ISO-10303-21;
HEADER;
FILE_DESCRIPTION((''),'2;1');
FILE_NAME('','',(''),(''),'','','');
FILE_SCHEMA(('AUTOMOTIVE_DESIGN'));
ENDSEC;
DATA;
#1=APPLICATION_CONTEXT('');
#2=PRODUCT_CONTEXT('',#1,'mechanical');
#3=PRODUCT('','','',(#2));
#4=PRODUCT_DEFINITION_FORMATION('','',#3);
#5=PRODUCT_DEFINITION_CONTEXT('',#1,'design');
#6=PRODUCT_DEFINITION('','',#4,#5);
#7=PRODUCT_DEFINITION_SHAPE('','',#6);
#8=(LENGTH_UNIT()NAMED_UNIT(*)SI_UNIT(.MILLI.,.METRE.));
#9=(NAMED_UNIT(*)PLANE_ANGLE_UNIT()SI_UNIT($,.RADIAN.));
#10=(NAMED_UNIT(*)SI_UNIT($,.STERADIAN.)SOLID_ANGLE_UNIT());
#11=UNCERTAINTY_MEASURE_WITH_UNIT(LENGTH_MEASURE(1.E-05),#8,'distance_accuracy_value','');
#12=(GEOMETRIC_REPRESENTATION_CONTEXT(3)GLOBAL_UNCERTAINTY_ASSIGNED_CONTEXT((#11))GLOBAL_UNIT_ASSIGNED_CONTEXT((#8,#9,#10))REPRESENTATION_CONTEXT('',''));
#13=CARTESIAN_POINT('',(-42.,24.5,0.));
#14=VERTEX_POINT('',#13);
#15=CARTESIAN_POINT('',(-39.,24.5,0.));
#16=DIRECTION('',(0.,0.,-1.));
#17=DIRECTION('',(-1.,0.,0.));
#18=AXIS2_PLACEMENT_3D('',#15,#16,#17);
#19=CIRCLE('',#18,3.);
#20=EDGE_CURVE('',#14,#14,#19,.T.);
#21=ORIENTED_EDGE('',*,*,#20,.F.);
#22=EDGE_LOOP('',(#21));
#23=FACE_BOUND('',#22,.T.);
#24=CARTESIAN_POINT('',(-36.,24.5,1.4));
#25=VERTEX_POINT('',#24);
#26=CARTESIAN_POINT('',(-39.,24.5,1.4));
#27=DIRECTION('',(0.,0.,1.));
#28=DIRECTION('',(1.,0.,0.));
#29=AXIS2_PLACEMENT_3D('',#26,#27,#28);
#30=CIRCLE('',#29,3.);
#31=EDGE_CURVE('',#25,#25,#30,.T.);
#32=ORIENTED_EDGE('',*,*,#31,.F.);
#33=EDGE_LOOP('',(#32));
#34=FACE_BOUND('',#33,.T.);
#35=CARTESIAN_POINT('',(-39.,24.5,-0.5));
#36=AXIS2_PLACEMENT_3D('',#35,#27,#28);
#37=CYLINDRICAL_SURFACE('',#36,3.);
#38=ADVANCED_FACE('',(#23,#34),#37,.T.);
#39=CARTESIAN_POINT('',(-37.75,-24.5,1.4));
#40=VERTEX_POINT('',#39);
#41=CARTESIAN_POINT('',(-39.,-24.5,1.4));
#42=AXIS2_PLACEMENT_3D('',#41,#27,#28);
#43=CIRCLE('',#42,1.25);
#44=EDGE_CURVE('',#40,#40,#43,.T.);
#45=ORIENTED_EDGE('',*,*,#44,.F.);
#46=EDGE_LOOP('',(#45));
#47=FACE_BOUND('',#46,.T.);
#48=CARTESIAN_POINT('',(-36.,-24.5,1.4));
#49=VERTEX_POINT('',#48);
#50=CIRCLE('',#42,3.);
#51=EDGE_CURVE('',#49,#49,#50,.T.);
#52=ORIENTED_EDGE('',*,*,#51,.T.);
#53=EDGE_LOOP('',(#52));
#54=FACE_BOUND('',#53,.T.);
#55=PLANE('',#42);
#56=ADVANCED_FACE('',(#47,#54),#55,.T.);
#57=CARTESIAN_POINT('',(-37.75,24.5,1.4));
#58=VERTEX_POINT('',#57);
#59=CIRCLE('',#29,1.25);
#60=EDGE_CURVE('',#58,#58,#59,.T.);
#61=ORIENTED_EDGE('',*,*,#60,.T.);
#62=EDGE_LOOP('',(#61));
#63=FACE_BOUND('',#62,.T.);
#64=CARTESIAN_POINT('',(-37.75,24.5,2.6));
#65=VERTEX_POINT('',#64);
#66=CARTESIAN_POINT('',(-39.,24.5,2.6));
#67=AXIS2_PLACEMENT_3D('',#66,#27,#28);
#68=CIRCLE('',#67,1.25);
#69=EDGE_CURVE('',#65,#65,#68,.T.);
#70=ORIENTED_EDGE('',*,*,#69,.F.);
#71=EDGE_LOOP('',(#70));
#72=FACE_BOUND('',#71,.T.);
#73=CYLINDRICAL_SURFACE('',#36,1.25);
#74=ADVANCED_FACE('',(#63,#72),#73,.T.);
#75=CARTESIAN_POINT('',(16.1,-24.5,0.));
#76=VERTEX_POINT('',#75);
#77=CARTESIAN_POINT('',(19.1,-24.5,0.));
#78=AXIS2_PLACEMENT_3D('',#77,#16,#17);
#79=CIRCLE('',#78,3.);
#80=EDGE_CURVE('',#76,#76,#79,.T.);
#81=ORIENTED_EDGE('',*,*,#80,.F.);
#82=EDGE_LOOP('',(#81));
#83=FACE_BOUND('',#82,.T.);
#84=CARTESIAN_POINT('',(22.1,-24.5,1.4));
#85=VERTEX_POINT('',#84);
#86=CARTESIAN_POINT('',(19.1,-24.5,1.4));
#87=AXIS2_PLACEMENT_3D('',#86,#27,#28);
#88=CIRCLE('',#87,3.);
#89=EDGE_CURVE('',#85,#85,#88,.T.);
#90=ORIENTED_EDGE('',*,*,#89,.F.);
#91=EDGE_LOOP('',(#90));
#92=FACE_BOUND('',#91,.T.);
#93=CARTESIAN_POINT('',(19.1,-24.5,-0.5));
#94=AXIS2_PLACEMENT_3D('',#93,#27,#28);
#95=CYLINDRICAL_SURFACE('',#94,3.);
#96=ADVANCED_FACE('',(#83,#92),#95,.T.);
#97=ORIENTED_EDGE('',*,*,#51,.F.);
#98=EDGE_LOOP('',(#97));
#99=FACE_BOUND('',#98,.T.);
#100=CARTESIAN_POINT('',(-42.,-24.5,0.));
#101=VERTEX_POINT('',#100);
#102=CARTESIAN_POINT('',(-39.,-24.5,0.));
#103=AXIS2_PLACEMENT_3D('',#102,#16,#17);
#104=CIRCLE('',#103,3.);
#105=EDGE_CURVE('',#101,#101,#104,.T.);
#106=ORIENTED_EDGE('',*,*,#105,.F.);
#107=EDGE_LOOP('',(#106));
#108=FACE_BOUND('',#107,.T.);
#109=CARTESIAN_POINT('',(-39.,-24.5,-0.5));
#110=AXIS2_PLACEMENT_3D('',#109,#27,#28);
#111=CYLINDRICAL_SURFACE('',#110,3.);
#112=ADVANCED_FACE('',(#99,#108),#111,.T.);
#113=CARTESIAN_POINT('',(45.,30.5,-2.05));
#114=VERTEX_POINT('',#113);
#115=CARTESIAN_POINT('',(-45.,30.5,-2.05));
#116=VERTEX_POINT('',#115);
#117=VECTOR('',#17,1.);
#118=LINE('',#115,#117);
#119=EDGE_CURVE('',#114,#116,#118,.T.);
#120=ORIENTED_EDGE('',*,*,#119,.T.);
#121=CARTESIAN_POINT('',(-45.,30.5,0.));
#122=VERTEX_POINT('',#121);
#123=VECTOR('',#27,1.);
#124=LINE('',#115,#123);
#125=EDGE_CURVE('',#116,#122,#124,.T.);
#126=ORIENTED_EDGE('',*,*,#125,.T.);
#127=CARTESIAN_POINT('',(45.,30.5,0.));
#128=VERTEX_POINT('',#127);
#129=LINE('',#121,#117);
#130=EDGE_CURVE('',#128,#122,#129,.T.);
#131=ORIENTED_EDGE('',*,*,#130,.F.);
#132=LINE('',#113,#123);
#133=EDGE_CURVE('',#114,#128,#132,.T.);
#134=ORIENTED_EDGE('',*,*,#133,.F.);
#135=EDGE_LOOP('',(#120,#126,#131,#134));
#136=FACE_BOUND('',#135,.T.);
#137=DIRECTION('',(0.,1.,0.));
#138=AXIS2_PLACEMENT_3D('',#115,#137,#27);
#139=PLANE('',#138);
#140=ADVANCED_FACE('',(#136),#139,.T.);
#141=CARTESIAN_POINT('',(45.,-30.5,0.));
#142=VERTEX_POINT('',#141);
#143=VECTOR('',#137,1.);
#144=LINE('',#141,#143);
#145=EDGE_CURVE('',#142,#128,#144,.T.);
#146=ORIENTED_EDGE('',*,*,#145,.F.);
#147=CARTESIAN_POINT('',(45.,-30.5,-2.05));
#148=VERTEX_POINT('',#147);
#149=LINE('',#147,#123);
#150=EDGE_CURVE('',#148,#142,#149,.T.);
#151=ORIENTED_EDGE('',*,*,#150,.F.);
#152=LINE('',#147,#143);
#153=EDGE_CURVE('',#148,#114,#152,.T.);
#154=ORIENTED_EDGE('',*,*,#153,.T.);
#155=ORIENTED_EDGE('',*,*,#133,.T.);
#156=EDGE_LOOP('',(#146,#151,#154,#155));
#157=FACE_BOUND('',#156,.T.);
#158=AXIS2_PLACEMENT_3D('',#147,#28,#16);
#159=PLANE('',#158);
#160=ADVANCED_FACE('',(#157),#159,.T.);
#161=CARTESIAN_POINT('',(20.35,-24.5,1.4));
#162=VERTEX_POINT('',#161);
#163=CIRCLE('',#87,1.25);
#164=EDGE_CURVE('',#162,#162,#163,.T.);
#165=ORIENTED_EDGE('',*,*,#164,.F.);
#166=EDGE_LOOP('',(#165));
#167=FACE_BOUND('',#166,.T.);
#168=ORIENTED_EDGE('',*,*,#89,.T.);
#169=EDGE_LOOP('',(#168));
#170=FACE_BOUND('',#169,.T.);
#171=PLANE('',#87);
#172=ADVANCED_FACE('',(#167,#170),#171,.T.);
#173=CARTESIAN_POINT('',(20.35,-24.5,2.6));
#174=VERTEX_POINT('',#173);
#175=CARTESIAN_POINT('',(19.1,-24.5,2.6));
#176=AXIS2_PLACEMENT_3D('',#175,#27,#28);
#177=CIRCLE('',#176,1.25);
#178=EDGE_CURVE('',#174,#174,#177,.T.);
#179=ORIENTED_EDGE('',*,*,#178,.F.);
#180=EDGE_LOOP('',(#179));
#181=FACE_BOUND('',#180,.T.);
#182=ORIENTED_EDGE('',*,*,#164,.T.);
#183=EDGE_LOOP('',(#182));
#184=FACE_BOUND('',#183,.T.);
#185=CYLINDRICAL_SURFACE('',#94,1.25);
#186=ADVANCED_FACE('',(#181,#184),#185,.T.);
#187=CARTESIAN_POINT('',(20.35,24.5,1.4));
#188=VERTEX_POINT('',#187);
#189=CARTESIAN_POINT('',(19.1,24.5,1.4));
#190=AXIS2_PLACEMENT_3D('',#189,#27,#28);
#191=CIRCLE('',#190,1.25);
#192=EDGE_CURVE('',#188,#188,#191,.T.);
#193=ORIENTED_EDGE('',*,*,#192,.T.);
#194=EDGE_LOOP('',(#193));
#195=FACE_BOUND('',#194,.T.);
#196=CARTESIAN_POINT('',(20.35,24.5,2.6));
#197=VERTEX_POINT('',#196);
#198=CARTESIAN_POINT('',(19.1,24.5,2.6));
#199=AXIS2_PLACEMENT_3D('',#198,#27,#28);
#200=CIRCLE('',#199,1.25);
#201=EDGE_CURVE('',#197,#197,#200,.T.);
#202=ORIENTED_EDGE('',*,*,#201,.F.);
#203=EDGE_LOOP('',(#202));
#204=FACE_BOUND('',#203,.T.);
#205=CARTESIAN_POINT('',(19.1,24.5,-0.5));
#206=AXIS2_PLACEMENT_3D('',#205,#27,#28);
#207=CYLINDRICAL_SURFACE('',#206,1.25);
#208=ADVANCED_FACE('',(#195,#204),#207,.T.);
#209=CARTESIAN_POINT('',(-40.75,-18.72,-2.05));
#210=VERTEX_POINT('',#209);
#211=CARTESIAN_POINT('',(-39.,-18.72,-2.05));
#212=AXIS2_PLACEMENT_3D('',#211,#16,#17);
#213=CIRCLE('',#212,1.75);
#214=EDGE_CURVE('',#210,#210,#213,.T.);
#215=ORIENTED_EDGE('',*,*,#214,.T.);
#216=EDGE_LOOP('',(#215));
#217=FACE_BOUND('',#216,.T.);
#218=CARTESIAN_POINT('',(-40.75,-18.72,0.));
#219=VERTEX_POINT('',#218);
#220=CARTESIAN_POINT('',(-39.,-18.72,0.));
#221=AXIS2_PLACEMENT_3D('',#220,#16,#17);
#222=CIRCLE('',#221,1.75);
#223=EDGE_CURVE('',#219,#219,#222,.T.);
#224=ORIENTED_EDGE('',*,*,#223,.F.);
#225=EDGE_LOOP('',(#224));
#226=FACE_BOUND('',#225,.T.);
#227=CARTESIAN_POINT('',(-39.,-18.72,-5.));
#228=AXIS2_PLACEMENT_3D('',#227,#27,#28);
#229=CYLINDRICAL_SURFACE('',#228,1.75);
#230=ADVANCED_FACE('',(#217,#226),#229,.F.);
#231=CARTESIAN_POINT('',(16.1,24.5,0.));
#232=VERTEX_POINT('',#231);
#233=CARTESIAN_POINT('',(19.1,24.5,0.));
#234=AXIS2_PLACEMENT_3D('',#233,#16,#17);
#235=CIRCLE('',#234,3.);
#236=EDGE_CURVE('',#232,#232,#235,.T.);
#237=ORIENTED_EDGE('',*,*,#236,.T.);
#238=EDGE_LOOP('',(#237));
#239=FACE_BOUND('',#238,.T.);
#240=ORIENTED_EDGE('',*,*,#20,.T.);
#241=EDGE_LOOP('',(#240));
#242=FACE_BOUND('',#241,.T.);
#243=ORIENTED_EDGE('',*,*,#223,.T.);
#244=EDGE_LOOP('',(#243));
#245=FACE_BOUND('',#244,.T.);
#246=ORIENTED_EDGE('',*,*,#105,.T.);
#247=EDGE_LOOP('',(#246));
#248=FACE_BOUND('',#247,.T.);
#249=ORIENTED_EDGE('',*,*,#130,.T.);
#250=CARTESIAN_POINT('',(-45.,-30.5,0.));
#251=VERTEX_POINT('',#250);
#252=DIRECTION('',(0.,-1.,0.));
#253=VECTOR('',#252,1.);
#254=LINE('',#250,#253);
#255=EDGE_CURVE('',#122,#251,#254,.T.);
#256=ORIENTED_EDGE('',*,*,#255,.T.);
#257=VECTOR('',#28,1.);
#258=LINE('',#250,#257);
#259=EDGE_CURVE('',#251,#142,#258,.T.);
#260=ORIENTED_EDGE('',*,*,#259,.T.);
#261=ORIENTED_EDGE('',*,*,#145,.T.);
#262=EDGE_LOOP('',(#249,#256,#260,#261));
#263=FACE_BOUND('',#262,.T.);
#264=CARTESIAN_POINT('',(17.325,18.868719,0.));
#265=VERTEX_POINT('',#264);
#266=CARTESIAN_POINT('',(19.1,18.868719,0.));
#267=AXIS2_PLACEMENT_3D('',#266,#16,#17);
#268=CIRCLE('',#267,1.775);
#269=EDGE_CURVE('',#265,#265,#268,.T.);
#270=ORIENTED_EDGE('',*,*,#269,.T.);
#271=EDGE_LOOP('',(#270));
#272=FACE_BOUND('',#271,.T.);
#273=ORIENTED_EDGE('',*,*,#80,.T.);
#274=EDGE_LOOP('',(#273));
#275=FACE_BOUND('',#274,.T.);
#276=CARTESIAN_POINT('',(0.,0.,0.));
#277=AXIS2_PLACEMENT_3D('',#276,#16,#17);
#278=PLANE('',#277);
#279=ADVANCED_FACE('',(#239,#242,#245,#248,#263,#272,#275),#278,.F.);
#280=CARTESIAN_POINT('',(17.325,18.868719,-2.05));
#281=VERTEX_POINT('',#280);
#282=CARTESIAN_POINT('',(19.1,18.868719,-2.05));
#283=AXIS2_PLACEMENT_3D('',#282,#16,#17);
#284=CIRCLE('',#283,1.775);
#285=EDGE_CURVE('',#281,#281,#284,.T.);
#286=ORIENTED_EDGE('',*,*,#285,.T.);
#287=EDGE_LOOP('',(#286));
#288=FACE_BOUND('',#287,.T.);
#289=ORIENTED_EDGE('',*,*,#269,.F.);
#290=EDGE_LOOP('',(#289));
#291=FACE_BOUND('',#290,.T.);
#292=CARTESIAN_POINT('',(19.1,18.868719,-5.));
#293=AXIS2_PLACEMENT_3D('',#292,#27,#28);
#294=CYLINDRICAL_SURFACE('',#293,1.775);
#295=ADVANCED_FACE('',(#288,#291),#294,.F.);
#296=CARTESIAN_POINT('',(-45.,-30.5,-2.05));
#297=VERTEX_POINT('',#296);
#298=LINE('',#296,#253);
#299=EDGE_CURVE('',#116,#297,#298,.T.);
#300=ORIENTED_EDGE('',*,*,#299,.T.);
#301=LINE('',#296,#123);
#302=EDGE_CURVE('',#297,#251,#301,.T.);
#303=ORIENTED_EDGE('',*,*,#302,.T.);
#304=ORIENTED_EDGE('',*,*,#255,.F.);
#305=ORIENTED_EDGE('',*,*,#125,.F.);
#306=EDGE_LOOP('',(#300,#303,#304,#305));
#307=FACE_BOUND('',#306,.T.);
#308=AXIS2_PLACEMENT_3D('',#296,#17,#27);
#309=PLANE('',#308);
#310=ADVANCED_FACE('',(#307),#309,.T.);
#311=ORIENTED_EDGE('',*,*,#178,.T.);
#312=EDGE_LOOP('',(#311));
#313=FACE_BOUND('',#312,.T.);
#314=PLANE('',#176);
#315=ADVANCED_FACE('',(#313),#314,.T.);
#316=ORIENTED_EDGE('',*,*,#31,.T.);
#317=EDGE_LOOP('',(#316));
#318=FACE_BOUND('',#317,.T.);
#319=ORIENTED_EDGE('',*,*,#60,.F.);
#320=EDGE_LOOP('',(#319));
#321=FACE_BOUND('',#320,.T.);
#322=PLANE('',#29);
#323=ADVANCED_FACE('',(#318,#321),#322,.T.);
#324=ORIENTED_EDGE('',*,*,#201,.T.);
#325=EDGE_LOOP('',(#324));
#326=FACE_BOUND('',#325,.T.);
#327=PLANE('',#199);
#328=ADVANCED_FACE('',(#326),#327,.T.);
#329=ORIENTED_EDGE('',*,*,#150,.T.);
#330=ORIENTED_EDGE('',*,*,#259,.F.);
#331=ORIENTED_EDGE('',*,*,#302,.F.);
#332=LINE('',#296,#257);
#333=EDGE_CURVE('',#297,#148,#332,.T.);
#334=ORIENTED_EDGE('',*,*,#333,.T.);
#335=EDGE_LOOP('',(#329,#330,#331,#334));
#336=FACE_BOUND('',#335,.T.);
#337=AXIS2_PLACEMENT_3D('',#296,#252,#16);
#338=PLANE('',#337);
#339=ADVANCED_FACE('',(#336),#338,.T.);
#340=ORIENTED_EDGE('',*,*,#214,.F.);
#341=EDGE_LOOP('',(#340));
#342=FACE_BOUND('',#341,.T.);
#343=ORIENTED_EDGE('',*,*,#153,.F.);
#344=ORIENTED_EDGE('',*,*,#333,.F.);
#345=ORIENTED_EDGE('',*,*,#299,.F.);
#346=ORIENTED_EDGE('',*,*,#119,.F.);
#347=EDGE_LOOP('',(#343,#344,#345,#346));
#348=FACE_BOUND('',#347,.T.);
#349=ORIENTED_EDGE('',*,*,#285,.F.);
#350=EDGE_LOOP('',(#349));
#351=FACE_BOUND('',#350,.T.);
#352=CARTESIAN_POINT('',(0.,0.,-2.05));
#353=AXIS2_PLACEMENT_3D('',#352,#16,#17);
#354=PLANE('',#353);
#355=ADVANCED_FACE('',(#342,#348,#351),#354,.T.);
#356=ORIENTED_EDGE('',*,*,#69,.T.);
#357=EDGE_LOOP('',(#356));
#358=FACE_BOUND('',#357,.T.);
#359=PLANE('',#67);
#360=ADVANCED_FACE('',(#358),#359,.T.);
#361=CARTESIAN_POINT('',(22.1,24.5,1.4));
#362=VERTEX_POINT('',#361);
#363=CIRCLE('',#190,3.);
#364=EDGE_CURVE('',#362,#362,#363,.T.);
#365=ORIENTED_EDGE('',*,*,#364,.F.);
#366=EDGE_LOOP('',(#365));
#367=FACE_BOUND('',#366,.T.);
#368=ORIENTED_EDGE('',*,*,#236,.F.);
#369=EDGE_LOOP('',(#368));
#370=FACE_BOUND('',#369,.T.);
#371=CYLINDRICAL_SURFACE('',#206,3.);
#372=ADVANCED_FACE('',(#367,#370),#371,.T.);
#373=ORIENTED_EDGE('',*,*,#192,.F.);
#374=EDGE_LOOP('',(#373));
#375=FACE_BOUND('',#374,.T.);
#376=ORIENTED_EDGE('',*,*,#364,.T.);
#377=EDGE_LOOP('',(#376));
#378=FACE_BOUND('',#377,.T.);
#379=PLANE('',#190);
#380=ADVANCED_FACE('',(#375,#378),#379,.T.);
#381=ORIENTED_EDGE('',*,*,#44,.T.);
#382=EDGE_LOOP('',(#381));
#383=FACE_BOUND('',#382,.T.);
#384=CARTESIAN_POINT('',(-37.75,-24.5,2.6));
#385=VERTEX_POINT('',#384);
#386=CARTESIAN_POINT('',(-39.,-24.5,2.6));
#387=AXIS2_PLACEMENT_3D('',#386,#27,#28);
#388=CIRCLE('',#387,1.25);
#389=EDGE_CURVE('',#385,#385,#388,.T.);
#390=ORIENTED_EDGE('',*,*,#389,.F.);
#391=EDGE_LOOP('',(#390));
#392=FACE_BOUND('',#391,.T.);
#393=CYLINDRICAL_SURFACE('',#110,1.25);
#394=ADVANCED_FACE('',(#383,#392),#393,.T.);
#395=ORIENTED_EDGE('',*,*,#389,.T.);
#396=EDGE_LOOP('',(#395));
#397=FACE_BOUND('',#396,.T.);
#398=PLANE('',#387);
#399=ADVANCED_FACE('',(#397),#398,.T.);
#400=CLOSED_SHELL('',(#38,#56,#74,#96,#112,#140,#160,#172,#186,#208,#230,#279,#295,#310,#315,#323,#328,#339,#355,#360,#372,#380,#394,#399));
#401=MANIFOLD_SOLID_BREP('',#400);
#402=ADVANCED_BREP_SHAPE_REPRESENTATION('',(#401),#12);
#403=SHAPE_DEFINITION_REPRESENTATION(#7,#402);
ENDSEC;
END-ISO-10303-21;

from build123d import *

# Parameters (mm, degrees)
BASE_W                       = 90
BASE_H                       = 61
BASE_BLOCK_DEPTH             = 2.05
OUTER_PIN_STAND_DEPTH        = 1.4
OUTER_PIN_STAND_DEPTH_BACK   = 0.5
OUTER_PIN_R                  = 3
OUTER_PIN_STAND_2_DEPTH      = 1.4
OUTER_PIN_STAND_2_DEPTH_BACK = 0.5
OUTER_PIN_STAND_3_DEPTH      = 1.4
OUTER_PIN_STAND_3_DEPTH_BACK = 0.5
OUTER_PIN_STAND_4_DEPTH      = 1.4
OUTER_PIN_STAND_4_DEPTH_BACK = 0.5
INNER_PIN_STAND_DEPTH        = 2.6
INNER_PIN_STAND_DEPTH_BACK   = 0.5
SKETCH3_R                    = 1.25
INNER_PIN_STAND_2_DEPTH      = 2.6
INNER_PIN_STAND_2_DEPTH_BACK = 0.5
INNER_PIN_STAND_3_DEPTH      = 2.6
INNER_PIN_STAND_3_DEPTH_BACK = 0.5
INNER_PIN_STAND_4_DEPTH      = 2.6
INNER_PIN_STAND_4_DEPTH_BACK = 0.5
HOLES_DEPTH                  = 5
HOLES_DEPTH_BACK             = 5
SKETCH5_R                    = 1.75
HOLES_2_DEPTH                = 5
HOLES_2_DEPTH_BACK           = 5
SKETCH5_R_2                  = 1.775


with BuildPart() as part:
    # Base → Base Block (new body)
    with BuildSketch(Plane.XY):
        Rectangle(BASE_W, BASE_H)
    extrude(amount=-BASE_BLOCK_DEPTH)


with BuildPart() as body_2:
    # Outer Pin → Outer Pin Stand (new, two sides: drawn at the far end of the back side and taken through both)
    with BuildSketch(Plane.XY.offset(-OUTER_PIN_STAND_DEPTH_BACK)):
        with Locations((-39, 24.5)):
            Circle(OUTER_PIN_R)
    extrude(amount=OUTER_PIN_STAND_DEPTH + OUTER_PIN_STAND_DEPTH_BACK)


with BuildPart() as body_3:
    # Outer Pin → Outer Pin Stand 2 (new, two sides: drawn at the far end of the back side and taken through both)
    with BuildSketch(Plane.XY.offset(-OUTER_PIN_STAND_2_DEPTH_BACK)):
        with Locations((-39, -24.5)):
            Circle(OUTER_PIN_R)
    extrude(amount=OUTER_PIN_STAND_2_DEPTH + OUTER_PIN_STAND_2_DEPTH_BACK)


with BuildPart() as body_4:
    # Outer Pin → Outer Pin Stand 3 (new, two sides: drawn at the far end of the back side and taken through both)
    with BuildSketch(Plane.XY.offset(-OUTER_PIN_STAND_3_DEPTH_BACK)):
        with Locations((19.1, -24.5)):
            Circle(OUTER_PIN_R)
    extrude(amount=OUTER_PIN_STAND_3_DEPTH + OUTER_PIN_STAND_3_DEPTH_BACK)


with BuildPart() as body_5:
    # Outer Pin → Outer Pin Stand 4 (new, two sides: drawn at the far end of the back side and taken through both)
    with BuildSketch(Plane.XY.offset(-OUTER_PIN_STAND_4_DEPTH_BACK)):
        with Locations((19.1, 24.5)):
            Circle(OUTER_PIN_R)
    extrude(amount=OUTER_PIN_STAND_4_DEPTH + OUTER_PIN_STAND_4_DEPTH_BACK)


with BuildPart() as body_6:
    # Sketch3 → Inner Pin Stand (new, two sides: drawn at the far end of the back side and taken through both)
    with BuildSketch(Plane.XY.offset(-INNER_PIN_STAND_DEPTH_BACK)):
        with Locations((-39, 24.5)):
            Circle(SKETCH3_R)
    extrude(amount=INNER_PIN_STAND_DEPTH + INNER_PIN_STAND_DEPTH_BACK)


with BuildPart() as body_7:
    # Sketch3 → Inner Pin Stand 2 (new, two sides: drawn at the far end of the back side and taken through both)
    with BuildSketch(Plane.XY.offset(-INNER_PIN_STAND_2_DEPTH_BACK)):
        with Locations((19.1, 24.5)):
            Circle(SKETCH3_R)
    extrude(amount=INNER_PIN_STAND_2_DEPTH + INNER_PIN_STAND_2_DEPTH_BACK)


with BuildPart() as body_8:
    # Sketch3 → Inner Pin Stand 3 (new, two sides: drawn at the far end of the back side and taken through both)
    with BuildSketch(Plane.XY.offset(-INNER_PIN_STAND_3_DEPTH_BACK)):
        with Locations((19.1, -24.5)):
            Circle(SKETCH3_R)
    extrude(amount=INNER_PIN_STAND_3_DEPTH + INNER_PIN_STAND_3_DEPTH_BACK)


with BuildPart() as body_9:
    # Sketch3 → Inner Pin Stand 4 (new, two sides: drawn at the far end of the back side and taken through both)
    with BuildSketch(Plane.XY.offset(-INNER_PIN_STAND_4_DEPTH_BACK)):
        with Locations((-39, -24.5)):
            Circle(SKETCH3_R)
    extrude(amount=INNER_PIN_STAND_4_DEPTH + INNER_PIN_STAND_4_DEPTH_BACK)


with BuildPart() as body_10:
    # Sketch5 → Holes (new, two sides: drawn at the far end of the back side and taken through both)
    with BuildSketch(Plane.XY.offset(-HOLES_DEPTH_BACK)):
        with Locations((-39, -18.72)):
            Circle(SKETCH5_R)
    extrude(amount=HOLES_DEPTH + HOLES_DEPTH_BACK)


with BuildPart() as body_11:
    # Sketch5 → Holes 2 (new, two sides: drawn at the far end of the back side and taken through both)
    with BuildSketch(Plane.XY.offset(-HOLES_2_DEPTH_BACK)):
        with Locations((19.1, 18.86871886)):
            Circle(SKETCH5_R_2)
    extrude(amount=HOLES_2_DEPTH + HOLES_2_DEPTH_BACK)


with BuildPart() as part_1:
    add(part.part)

    # Combine1: union body 2, body 6, body 5, body 7, body 4, body 8, body 3, body 9
    add(body_2.part)
    add(body_6.part)
    add(body_5.part)
    add(body_7.part)
    add(body_4.part)
    add(body_8.part)
    add(body_3.part)
    add(body_9.part)

    # Combine2: cut body 11, body 10
    add(body_11.part, mode=Mode.SUBTRACT)
    add(body_10.part, mode=Mode.SUBTRACT)


solid = part_1.part
